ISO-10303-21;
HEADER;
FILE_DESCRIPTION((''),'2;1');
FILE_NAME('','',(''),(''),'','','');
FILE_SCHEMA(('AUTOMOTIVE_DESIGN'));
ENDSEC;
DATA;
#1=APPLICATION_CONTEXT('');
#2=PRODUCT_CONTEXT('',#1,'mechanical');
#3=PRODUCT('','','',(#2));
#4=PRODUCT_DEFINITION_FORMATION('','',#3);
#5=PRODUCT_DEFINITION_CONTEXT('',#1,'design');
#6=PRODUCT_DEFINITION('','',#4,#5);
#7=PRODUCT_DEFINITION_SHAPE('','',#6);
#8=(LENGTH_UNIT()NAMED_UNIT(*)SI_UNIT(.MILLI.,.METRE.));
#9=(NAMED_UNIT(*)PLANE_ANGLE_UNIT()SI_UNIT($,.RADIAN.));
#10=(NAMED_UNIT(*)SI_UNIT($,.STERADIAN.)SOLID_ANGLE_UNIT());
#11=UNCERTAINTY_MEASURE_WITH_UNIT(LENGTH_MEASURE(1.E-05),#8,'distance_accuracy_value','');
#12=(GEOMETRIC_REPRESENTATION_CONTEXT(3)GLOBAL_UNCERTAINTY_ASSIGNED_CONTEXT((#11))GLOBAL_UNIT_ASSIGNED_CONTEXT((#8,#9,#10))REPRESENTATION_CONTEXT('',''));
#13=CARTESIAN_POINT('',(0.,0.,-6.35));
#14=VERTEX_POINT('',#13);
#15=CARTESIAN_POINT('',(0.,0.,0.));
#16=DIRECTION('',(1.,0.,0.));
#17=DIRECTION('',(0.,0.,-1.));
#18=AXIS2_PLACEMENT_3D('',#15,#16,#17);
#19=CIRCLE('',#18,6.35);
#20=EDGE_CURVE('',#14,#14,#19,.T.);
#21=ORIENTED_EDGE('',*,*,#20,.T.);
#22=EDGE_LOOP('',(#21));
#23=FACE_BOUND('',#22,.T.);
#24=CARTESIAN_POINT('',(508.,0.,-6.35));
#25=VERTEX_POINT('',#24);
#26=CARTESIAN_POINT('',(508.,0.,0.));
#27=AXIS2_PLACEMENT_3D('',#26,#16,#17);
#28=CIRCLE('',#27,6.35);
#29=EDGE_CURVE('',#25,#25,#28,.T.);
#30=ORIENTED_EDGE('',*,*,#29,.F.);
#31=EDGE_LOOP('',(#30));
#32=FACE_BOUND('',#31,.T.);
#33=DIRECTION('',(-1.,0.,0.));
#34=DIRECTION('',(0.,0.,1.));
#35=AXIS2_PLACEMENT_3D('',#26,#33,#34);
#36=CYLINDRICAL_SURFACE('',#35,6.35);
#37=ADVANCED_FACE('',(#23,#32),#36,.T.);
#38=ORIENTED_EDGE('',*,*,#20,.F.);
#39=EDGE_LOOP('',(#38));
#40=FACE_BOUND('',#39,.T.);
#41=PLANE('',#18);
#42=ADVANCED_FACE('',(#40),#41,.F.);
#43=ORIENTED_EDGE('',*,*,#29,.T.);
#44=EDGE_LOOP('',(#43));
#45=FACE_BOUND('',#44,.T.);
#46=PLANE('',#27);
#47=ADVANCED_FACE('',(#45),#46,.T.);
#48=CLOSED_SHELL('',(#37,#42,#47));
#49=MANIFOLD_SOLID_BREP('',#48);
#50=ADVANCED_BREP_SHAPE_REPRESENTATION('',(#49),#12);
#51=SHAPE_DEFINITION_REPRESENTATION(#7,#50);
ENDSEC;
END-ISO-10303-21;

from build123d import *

# Parameters (mm, degrees)
SKETCH1_R           = 6.35
BOSS_EXTRUDE1_DEPTH = 508


with BuildPart() as part:
    # Sketch1 → Boss-Extrude1 (new body)
    with BuildSketch(Plane(origin=(0, 0, 0), x_dir=(0, 0, -1), z_dir=(1, 0, 0))):
        Circle(SKETCH1_R)
    extrude(amount=BOSS_EXTRUDE1_DEPTH)


solid = part.part
